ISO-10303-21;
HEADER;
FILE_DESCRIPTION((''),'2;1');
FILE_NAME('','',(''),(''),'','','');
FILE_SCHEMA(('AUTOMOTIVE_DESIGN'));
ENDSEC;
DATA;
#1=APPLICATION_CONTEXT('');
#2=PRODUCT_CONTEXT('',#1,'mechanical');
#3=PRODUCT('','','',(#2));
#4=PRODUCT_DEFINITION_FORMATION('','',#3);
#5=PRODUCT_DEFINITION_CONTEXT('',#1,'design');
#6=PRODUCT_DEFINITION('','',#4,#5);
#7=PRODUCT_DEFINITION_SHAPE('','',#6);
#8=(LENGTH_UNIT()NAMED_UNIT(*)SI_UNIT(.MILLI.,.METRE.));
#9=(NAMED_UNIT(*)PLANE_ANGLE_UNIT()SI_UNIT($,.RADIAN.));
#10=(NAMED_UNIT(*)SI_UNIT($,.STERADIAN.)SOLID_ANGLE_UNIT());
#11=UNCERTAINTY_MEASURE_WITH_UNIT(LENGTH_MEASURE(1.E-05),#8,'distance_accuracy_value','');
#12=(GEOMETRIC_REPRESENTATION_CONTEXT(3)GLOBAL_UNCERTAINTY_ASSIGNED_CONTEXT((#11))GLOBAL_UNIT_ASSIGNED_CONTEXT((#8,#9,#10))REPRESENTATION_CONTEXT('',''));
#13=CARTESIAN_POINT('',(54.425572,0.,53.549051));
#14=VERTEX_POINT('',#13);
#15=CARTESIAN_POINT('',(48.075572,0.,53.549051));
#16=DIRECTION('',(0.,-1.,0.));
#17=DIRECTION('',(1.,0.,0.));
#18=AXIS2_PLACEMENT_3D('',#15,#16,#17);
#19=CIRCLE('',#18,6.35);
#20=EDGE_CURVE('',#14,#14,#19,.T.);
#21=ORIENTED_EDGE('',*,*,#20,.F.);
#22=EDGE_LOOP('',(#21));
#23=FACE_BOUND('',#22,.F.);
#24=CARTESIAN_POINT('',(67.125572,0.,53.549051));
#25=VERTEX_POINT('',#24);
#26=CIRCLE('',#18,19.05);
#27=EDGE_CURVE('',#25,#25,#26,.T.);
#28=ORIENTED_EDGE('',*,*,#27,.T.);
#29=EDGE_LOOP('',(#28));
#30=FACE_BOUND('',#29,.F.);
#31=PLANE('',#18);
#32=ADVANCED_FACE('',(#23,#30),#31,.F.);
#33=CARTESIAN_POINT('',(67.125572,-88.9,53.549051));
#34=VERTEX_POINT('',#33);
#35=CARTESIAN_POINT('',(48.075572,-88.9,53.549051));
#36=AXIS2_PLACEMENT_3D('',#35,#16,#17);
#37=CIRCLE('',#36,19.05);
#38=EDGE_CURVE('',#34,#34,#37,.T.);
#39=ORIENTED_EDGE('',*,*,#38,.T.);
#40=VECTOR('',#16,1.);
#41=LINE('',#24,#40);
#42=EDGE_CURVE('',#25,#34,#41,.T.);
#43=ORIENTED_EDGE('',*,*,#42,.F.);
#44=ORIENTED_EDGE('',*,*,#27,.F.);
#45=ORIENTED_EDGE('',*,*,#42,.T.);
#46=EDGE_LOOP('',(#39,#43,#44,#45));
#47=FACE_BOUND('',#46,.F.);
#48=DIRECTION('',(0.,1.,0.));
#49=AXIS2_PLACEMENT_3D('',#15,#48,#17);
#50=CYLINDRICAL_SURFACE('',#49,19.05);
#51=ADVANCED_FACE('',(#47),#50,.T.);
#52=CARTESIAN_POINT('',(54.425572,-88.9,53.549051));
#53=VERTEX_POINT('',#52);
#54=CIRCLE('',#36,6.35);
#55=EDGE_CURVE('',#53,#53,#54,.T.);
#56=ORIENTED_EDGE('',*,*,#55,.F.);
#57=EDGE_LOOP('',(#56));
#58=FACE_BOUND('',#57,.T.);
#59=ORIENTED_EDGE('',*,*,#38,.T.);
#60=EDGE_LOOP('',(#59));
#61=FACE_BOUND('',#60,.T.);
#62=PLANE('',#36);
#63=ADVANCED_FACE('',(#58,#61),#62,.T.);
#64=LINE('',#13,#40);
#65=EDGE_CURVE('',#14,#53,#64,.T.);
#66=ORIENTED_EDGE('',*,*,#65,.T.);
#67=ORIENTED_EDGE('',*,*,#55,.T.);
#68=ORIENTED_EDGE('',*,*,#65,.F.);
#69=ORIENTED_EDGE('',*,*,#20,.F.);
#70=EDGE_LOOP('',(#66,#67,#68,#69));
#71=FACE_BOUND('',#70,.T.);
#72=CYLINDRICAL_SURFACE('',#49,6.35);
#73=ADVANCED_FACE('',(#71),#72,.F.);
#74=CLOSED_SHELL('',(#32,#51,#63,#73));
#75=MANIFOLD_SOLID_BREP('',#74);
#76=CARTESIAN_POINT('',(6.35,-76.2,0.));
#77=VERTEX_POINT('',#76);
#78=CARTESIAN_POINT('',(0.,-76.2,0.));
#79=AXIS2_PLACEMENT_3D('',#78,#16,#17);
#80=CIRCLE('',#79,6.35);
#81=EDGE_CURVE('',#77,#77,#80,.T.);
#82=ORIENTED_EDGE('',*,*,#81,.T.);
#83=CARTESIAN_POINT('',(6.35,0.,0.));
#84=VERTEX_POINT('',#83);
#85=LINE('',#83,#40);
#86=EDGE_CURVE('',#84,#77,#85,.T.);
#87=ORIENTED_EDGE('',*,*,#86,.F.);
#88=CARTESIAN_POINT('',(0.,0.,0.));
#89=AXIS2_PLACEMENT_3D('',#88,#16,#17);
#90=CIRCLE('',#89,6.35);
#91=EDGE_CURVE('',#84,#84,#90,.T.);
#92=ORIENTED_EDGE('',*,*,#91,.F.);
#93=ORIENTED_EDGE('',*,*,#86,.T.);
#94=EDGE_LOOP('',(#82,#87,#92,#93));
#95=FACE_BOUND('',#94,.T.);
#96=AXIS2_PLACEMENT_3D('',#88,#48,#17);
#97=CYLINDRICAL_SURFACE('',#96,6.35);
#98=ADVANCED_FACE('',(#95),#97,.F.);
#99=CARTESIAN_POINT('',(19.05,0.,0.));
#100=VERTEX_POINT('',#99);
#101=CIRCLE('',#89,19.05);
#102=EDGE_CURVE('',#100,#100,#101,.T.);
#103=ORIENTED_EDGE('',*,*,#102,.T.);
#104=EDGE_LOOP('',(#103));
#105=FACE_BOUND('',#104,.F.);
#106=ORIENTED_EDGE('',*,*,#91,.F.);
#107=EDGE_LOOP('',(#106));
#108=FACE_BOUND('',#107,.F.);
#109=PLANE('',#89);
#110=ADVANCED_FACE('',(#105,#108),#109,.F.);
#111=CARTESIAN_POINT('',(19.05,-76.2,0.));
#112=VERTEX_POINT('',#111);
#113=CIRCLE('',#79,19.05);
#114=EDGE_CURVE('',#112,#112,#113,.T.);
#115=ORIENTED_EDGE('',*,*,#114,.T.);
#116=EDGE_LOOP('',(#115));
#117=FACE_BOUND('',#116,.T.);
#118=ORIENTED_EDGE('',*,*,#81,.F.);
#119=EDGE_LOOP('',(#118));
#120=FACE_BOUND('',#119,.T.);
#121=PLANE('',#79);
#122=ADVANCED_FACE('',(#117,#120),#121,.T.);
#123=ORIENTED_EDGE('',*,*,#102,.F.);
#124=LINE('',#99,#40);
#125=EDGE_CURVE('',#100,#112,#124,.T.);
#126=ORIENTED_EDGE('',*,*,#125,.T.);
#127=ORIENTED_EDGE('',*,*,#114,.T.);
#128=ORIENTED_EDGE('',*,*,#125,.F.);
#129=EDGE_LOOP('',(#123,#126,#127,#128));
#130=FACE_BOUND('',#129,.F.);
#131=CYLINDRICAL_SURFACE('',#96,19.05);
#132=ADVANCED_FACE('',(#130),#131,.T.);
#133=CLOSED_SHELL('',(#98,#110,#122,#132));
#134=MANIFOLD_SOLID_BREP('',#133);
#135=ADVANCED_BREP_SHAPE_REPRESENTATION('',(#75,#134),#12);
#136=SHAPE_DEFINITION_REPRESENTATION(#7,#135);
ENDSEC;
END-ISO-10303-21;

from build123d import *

# Parameters (mm, degrees)
F0_R     = 19.05
F0_R_2   = 6.35
F1_DEPTH = 76.2
F2_R     = 19.05
F2_R_2   = 6.35
F3_DEPTH = 88.9


with BuildPart() as f1:
    # F0 (on Front) → F1 (new body)
    with BuildSketch(Plane.XZ):
        Circle(F0_R)
        Circle(F0_R_2, mode=Mode.SUBTRACT)
    extrude(amount=F1_DEPTH)


with BuildPart() as f3:
    # F2 (on Front) → F3 (new body)
    with BuildSketch(Plane.XZ):
        with Locations((48.075572, 53.549051)):
            Circle(F2_R)
        with Locations((48.075572, 53.549051)):
            Circle(F2_R_2, mode=Mode.SUBTRACT)
    extrude(amount=F3_DEPTH)


solid = Compound([f1.part, f3.part])
